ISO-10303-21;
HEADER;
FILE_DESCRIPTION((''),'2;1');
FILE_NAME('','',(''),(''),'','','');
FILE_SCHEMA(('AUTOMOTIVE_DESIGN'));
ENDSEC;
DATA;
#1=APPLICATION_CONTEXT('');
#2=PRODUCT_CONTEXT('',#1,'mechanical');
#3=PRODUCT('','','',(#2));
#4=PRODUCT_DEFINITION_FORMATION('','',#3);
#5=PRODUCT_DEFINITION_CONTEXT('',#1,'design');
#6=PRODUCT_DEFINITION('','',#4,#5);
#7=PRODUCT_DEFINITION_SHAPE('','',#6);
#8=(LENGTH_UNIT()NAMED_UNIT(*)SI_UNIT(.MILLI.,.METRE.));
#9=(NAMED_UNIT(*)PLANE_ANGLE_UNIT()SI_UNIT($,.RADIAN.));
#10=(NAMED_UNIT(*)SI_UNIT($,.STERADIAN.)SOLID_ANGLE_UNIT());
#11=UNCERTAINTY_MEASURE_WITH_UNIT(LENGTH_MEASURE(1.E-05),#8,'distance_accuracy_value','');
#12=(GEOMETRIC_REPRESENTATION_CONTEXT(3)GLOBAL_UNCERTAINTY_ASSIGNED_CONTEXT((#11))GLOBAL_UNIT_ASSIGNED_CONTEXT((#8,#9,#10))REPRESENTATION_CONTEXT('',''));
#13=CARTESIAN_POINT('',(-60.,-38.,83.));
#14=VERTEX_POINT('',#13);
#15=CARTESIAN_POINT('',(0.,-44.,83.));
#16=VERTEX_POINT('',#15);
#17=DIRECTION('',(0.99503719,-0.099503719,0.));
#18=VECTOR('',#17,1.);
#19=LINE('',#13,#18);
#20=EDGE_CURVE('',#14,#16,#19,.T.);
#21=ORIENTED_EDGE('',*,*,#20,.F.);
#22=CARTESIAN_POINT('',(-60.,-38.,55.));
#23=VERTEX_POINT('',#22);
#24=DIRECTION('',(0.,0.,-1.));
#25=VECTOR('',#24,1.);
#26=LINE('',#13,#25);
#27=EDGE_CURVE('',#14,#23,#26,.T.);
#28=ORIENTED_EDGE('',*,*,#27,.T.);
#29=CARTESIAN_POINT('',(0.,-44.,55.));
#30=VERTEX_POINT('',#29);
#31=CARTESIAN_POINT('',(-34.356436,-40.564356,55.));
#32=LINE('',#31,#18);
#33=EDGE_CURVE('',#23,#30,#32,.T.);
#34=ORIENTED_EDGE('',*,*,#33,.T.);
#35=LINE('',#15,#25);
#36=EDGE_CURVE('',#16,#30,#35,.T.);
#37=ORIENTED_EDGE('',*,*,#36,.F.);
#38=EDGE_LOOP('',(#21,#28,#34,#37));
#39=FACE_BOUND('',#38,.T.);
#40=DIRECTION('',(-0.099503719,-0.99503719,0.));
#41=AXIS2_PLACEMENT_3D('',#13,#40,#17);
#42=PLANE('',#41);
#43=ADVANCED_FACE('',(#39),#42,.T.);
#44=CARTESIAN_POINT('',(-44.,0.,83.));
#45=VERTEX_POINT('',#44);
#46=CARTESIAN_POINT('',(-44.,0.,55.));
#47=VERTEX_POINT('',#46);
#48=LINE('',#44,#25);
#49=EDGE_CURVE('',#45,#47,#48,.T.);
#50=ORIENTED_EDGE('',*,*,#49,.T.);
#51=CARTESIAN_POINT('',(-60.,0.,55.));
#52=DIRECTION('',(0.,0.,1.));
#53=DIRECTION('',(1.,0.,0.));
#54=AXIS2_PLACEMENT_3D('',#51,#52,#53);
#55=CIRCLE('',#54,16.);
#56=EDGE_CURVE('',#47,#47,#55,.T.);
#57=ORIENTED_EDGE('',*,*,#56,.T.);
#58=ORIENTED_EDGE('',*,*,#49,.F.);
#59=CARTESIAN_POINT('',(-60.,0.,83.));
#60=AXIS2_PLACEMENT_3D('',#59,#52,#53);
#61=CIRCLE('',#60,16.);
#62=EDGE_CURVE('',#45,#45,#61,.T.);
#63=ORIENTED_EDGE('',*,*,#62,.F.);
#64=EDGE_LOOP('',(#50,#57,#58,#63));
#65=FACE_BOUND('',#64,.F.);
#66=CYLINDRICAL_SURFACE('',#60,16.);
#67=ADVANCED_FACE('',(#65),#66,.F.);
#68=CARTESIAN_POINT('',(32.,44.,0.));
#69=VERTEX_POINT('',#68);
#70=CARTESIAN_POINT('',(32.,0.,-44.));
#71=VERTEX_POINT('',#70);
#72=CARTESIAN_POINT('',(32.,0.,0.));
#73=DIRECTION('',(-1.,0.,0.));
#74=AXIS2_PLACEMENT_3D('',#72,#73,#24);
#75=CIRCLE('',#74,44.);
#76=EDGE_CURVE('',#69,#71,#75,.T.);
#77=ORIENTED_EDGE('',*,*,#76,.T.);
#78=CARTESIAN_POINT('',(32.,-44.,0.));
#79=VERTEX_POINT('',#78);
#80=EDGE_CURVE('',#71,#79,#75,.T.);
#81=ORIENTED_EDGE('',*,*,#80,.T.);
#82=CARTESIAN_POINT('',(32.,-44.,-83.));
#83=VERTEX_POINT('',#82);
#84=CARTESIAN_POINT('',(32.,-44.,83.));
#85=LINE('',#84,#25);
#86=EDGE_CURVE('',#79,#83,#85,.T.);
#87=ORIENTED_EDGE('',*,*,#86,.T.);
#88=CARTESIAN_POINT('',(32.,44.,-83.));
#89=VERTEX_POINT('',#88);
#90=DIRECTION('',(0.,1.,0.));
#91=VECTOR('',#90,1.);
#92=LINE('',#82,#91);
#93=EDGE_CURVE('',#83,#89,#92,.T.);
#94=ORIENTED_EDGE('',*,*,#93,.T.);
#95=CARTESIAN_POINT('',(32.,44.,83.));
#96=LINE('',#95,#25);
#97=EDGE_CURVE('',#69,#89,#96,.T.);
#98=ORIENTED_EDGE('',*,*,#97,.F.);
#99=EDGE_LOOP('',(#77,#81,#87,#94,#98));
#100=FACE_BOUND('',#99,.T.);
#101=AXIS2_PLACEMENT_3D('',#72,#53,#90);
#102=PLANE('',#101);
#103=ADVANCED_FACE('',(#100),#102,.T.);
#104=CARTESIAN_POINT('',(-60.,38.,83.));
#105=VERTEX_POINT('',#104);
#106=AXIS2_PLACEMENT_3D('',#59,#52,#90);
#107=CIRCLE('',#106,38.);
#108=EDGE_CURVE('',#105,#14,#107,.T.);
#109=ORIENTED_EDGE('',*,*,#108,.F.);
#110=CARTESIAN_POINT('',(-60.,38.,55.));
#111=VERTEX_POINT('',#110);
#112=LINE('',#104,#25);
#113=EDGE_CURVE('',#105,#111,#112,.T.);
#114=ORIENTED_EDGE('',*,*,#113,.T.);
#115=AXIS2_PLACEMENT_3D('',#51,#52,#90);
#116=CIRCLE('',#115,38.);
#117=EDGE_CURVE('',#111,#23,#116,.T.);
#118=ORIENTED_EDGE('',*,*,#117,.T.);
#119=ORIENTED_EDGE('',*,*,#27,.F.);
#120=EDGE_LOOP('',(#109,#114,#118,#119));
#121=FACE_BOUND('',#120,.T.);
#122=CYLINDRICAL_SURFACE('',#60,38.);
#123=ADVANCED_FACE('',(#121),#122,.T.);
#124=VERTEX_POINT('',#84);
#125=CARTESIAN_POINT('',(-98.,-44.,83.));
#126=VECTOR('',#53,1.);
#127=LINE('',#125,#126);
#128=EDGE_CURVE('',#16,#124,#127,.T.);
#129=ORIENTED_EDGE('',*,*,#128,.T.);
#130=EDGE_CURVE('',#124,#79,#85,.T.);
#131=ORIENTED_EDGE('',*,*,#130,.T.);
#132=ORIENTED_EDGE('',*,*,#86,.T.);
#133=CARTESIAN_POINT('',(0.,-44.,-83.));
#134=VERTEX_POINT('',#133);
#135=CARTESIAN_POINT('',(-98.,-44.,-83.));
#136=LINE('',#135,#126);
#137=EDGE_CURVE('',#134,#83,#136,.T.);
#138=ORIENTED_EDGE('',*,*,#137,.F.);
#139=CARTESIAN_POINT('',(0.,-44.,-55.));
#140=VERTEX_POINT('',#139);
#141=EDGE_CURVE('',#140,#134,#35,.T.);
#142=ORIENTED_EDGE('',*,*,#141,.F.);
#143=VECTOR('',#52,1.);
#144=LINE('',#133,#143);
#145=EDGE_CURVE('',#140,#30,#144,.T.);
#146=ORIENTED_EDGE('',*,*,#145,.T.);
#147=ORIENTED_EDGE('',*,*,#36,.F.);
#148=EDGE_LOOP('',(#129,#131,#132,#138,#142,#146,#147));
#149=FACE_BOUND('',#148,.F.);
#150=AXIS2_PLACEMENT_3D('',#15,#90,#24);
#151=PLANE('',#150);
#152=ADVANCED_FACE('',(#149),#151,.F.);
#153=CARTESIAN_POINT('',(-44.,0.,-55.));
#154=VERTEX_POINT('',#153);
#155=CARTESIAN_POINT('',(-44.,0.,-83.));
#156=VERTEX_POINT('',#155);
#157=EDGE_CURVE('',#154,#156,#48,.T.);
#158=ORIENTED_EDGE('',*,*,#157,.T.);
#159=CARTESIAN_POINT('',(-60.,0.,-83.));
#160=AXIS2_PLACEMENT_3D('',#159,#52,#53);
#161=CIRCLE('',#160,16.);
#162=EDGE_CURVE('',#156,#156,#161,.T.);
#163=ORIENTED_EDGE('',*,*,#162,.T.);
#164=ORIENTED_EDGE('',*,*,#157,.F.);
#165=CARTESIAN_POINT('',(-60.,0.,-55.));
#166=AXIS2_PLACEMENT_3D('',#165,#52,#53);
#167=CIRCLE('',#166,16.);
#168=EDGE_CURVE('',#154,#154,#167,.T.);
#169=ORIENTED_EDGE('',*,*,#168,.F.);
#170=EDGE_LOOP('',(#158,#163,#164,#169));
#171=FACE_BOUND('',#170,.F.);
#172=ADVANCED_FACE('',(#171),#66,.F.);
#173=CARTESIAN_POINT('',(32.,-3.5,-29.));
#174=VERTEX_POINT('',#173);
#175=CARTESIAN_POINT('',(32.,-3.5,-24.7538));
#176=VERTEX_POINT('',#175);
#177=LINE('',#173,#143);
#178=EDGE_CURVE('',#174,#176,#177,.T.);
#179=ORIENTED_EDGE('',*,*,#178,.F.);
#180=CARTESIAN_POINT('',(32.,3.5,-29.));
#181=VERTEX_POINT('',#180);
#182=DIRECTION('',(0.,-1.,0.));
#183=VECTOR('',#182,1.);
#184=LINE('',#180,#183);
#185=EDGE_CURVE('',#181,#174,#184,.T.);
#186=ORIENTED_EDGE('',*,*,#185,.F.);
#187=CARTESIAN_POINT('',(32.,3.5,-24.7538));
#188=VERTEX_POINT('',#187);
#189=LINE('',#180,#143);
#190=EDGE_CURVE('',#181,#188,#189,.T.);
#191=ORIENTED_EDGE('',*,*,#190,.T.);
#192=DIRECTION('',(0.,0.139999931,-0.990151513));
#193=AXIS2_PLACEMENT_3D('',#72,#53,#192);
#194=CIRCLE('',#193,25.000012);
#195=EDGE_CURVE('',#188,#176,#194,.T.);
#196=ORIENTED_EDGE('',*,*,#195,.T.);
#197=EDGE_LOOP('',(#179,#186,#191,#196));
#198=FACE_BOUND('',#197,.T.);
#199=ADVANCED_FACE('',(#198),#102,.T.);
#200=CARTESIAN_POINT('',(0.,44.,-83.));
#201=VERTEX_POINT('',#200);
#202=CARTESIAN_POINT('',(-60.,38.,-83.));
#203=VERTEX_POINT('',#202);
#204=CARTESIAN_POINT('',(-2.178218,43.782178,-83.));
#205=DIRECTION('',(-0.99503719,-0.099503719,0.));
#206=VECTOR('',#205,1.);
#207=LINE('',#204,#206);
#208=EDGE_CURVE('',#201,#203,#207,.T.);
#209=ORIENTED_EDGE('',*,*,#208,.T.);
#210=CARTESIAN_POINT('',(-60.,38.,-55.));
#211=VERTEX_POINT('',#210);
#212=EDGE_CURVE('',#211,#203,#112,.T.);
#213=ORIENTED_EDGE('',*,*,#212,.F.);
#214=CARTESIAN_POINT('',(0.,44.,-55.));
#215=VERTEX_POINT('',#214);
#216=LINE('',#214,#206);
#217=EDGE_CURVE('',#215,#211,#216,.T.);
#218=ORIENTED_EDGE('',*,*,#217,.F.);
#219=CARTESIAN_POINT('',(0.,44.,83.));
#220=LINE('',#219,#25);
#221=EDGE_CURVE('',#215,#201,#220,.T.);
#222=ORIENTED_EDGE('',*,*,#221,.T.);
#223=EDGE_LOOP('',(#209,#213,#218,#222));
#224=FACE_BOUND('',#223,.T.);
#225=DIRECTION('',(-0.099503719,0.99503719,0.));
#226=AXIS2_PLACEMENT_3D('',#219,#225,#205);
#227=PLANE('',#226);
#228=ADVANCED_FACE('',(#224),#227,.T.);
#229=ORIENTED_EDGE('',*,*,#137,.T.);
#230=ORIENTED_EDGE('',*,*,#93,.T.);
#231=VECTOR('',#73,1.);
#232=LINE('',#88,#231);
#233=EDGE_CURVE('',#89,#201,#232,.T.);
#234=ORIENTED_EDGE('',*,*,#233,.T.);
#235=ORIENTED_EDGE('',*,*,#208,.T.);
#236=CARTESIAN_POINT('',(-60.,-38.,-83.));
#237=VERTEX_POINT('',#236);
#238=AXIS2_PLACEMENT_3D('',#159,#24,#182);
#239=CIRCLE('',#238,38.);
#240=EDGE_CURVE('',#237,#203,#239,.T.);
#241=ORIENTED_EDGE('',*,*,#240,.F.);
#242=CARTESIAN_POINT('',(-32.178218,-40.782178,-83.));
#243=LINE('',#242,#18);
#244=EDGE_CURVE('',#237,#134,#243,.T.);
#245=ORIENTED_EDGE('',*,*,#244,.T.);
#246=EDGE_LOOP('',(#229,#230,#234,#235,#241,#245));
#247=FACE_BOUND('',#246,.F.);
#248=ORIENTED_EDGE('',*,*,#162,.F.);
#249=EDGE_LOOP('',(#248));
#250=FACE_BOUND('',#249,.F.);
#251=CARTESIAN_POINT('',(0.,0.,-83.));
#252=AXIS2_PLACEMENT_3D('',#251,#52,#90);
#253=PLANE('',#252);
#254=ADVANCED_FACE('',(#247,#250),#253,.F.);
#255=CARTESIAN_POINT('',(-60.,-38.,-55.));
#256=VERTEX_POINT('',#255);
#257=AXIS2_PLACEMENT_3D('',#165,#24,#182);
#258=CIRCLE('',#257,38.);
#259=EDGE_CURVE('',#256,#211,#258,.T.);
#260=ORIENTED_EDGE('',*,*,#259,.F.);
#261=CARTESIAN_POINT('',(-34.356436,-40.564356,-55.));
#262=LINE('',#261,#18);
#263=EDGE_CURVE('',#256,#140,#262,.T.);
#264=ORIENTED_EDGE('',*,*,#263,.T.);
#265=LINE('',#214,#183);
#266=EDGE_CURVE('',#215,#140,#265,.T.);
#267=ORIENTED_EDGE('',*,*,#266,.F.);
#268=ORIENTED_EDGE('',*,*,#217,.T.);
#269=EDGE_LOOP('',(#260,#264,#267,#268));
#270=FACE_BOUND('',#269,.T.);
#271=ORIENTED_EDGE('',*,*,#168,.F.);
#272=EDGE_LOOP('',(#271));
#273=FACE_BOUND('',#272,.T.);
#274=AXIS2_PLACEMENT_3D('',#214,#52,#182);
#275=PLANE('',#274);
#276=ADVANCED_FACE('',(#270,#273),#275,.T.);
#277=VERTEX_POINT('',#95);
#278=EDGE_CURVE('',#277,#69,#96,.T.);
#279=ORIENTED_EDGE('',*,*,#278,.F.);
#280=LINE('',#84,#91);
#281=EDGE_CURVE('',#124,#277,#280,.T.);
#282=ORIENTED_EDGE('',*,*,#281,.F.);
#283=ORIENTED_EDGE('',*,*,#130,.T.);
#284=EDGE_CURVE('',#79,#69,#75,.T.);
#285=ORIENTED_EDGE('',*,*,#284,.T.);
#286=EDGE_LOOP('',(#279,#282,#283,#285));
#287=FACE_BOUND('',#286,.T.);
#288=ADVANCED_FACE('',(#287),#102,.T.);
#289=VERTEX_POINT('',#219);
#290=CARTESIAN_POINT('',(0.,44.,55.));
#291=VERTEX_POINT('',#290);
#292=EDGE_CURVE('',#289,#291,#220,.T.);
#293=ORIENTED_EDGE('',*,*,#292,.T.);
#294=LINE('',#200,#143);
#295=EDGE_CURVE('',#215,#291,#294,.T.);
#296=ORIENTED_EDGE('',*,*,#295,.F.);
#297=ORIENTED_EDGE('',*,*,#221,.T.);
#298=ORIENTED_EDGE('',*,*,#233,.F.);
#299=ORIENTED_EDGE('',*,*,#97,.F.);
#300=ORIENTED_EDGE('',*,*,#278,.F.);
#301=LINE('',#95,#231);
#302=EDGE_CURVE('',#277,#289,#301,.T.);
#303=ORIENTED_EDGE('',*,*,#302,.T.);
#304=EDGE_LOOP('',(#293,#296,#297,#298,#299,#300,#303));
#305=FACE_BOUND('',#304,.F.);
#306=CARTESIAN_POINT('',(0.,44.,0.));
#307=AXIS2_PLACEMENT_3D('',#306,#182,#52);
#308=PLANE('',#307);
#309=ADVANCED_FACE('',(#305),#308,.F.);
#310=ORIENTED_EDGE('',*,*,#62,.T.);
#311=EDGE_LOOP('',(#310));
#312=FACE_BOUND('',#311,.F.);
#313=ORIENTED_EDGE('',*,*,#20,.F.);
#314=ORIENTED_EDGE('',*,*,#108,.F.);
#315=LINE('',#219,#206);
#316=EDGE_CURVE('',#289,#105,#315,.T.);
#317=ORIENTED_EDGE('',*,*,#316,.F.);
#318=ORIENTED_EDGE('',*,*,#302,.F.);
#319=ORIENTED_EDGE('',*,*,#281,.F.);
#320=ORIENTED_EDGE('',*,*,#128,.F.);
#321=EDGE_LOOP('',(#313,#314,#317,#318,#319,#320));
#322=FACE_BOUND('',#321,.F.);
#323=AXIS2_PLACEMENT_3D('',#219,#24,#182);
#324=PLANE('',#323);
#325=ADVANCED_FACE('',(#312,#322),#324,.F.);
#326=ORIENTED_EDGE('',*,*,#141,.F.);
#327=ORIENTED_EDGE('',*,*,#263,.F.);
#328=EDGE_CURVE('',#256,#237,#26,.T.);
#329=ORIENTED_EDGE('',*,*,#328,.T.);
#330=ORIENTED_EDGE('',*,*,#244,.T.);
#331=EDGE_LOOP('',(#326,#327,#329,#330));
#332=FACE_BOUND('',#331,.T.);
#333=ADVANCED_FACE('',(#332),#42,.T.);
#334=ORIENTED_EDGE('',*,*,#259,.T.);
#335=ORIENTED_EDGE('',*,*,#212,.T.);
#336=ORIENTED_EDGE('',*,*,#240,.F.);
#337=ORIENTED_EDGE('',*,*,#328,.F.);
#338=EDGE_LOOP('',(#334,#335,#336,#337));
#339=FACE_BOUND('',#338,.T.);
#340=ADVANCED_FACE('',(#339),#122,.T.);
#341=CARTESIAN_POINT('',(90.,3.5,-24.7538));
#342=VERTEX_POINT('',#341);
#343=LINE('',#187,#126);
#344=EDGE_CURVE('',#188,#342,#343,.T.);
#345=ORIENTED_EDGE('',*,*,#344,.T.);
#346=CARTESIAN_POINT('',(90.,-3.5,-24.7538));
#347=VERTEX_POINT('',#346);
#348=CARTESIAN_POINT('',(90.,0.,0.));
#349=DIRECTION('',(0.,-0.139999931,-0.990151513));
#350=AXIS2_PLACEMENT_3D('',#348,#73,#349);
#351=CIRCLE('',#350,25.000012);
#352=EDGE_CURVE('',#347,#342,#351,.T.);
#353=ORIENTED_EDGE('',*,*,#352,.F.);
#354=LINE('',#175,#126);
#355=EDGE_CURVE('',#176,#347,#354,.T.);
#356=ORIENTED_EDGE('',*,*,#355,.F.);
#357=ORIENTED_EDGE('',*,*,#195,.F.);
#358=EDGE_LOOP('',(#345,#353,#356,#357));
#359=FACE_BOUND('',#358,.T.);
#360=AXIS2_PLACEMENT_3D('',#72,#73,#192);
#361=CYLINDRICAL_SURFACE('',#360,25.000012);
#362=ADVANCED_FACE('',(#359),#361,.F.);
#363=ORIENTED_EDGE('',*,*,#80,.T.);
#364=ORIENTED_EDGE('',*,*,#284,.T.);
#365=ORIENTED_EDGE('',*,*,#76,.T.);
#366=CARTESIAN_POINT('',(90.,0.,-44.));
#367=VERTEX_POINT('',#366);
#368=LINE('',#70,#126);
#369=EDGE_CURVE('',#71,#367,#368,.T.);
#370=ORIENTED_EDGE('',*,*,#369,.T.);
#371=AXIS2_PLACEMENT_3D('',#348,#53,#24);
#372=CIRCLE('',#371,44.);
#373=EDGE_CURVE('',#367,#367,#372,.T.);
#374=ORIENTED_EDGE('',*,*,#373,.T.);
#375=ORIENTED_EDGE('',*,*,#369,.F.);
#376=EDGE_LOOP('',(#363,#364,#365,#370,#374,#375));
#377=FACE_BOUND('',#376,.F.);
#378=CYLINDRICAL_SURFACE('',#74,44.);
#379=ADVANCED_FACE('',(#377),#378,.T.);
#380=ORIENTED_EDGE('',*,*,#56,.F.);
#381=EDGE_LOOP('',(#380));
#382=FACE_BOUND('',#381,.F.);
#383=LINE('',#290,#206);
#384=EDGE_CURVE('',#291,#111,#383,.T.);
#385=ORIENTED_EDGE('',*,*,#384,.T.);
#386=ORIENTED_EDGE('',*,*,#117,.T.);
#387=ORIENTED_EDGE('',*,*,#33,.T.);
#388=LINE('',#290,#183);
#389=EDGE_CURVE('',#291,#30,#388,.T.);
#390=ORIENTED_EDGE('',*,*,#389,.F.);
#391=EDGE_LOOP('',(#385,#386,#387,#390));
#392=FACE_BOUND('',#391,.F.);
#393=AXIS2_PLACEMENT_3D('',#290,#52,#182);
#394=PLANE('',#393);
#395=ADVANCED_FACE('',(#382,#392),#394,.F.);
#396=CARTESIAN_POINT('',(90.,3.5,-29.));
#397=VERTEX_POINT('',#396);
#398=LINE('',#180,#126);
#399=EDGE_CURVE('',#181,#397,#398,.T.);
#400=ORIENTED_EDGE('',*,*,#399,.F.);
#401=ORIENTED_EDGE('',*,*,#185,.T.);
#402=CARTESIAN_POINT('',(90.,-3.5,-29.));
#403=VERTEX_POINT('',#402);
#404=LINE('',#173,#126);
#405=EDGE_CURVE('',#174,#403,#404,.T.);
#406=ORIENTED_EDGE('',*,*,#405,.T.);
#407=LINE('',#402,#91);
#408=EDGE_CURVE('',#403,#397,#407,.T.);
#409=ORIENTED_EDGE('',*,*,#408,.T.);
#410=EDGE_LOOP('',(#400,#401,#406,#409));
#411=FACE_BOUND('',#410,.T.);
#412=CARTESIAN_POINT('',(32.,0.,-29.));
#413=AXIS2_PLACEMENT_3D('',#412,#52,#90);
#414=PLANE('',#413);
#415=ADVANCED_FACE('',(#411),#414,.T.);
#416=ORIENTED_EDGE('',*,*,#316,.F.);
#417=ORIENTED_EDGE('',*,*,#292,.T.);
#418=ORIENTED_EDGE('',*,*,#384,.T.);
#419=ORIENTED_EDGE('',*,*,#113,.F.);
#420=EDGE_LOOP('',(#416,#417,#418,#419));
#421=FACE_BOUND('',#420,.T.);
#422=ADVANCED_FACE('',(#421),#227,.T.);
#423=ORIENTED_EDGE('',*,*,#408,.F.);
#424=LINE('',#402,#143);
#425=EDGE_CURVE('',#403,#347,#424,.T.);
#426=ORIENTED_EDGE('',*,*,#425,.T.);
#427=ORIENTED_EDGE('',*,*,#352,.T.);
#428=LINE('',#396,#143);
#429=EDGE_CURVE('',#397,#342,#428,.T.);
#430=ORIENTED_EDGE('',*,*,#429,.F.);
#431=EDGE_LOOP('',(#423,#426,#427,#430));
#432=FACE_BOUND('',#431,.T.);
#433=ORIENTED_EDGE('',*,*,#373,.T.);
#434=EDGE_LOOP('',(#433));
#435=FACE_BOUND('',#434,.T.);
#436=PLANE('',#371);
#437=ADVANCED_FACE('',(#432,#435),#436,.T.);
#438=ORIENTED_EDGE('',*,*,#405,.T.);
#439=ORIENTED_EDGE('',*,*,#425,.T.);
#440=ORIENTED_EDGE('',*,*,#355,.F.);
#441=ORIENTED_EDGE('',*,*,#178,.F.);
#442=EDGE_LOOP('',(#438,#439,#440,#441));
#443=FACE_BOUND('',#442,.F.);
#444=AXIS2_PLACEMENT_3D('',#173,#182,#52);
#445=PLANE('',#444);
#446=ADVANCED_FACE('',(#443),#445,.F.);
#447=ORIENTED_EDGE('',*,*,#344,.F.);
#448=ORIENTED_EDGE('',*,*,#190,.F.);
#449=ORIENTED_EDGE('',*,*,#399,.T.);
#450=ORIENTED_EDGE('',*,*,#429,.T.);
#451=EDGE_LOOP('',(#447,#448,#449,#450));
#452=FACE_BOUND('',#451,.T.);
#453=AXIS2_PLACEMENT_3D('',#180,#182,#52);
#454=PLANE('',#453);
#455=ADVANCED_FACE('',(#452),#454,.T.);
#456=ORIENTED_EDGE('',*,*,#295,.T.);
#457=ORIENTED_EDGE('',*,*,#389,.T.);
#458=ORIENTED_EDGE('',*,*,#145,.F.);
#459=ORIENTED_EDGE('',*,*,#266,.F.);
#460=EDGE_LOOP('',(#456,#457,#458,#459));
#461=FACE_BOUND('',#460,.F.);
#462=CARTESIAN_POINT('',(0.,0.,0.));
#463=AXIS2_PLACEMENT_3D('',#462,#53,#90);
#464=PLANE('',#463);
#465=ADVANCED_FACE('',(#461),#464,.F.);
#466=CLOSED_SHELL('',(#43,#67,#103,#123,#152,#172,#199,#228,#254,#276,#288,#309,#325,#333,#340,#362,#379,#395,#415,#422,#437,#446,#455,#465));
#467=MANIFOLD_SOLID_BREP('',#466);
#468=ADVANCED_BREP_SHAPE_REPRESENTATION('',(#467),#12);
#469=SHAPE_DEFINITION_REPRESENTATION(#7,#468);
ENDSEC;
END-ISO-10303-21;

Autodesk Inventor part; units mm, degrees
ref_plane "YZ Plane" through (0, 0, 0) normal (1, 0, 0) x (0, 1, 0)
ref_plane "XZ Plane" through (0, 0, 0) normal (0, 1, 0) x (-1, 0, 0)
ref_plane "XY Plane" through (0, 0, 0) normal (0, 0, 1) x (1, 0, 0)
sketch "Sketch1" plane through (0, 0, 0) normal (1, 0, 0) x (0, 1, 0)
  line L0 (0, 116.2) -> (0, -116.2) projected
  line L1 (-61.6, 0) -> (61.6, 0) projected
  line L2 (44, 83) -> (-44, 83)
  line L3 (-44, 83) -> (-44, -83)
  line L4 (-44, -83) -> (44, -83)
  line L5 (44, -83) -> (44, 83)
  point P0 (0, 0)
  dimension "d0" = 166
  dimension "d1" = 88
extrude "Extrusion1" add sketch "Sketch1" along normal blind 32
sketch "Sketch2" plane through (32, 0, 0) normal (1, 0, 0) x (0, 0, -1)
  line L0 (-116.2, 0) -> (116.2, 0) projected
  line L1 (0, -61.6) -> (0, 61.6) projected
  circle A0 centre (0, 0) radius 44
  arc A1 (24.7538, 3.5) -> (24.7538, -3.5) centre (0, 0) ccw
  line L2 (25, 0) -> (29, 0)
  line L3 (29, 0) -> (29, 3.5)
  line L4 (29, 3.5) -> (24.7538, 3.5)
  arc A2 (24.7538, 3.5) -> (24.7538, -3.5) centre (0, 0) ccw
  line L5 (29, 0) -> (29, -3.5)
  line L6 (29, -3.5) -> (24.7538, -3.5)
  dimension "d4" = 88
  dimension "d5" = 50
  dimension "d6" = 4
  dimension "d7" = 3.5
extrude "Extrusion2" add sketch "Sketch2" along normal blind 58 contours L3 L4 A1 L1 A0 L0 | L0 A0 L1 A1 L6 L5 | A1 L1 A0 L0 | L0 A0 L1 A1
sketch "Sketch3" plane through (0, 0, 0) normal (-1, 0, 0) x (0, 0, 1)
  line L0 (-116.2, 0) -> (116.2, 0) projected
  line L1 (0, 61.6) -> (0, -61.6) projected
  line L2 (-83, 44) -> (83, 44) projected
  line L3 (83, -44) -> (-83, -44) projected
  line L4 (-83, 44) -> (-55, 44)
  line L5 (-55, 44) -> (-55, -44)
  line L6 (-55, -44) -> (-83, -44)
  line L7 (-83, -44) -> (-83, 44)
  line L8 (0, 44) -> (83, 44) projected
  line L9 (83, 44) -> (55, 44)
  line L10 (55, 44) -> (55, -44)
  line L11 (55, -44) -> (83, -44)
  line L12 (83, -44) -> (83, 44)
  point P0 (0, 0)
  dimension "d10" = 28
  dimension "d11" = 28
extrude "Extrusion3" add sketch "Sketch3" along normal blind 98 contours L7 L2 L5 L0 | L0 L5 L3 L7 | L10 L2 L12 L0 | L0 L12 L3 L10
sketch "Sketch4" plane through (32, -44, 83) normal (0, 0, 1) x (1, 0, 0)
  point P0 (-32, 44)
sketch "Sketch5" plane through (32, -44, 83) normal (0, 0, 1) x (1, 0, 0)
  circle A0 centre (-92, 44) radius 38
  line L0 (-92, 6) -> (-32, 0)
  line L1 (-130, 0) -> (0, 0) projected
  line L2 (-32, 88) -> (-32, 0) projected
  line L3 (-32, 88) -> (-92, 82)
  line L4 (0, 88) -> (-130, 88) projected
  line L5 (-32, 88) -> (-130, 88)
  line L6 (-130, 0) -> (-130, 88) projected
  line L7 (-130, 88) -> (-130, 0)
  line L8 (-130, 0) -> (-32, 0)
  point P0 (-32, 44)
  dimension "d14" = 76
extrude "Extrusion4" cut sketch "Sketch5" against normal through all contours A0 L6 L4 L3 | L0 L1 L6 A0
sketch "Sketch6" plane through (32, -44, 83) normal (0, 0, 1) x (1, 0, 0)
  arc A0 (-92, 82) -> (-92, 6) centre (-92, 44) ccw projected
  circle A1 centre (-92, 44) radius 16
  point P0 (-32, 44)
  dimension "d17" = 32
extrude "Extrusion5" cut sketch "Sketch6" against normal through all
properties part number "Fork 2 Off" material "Stainless Steel"
